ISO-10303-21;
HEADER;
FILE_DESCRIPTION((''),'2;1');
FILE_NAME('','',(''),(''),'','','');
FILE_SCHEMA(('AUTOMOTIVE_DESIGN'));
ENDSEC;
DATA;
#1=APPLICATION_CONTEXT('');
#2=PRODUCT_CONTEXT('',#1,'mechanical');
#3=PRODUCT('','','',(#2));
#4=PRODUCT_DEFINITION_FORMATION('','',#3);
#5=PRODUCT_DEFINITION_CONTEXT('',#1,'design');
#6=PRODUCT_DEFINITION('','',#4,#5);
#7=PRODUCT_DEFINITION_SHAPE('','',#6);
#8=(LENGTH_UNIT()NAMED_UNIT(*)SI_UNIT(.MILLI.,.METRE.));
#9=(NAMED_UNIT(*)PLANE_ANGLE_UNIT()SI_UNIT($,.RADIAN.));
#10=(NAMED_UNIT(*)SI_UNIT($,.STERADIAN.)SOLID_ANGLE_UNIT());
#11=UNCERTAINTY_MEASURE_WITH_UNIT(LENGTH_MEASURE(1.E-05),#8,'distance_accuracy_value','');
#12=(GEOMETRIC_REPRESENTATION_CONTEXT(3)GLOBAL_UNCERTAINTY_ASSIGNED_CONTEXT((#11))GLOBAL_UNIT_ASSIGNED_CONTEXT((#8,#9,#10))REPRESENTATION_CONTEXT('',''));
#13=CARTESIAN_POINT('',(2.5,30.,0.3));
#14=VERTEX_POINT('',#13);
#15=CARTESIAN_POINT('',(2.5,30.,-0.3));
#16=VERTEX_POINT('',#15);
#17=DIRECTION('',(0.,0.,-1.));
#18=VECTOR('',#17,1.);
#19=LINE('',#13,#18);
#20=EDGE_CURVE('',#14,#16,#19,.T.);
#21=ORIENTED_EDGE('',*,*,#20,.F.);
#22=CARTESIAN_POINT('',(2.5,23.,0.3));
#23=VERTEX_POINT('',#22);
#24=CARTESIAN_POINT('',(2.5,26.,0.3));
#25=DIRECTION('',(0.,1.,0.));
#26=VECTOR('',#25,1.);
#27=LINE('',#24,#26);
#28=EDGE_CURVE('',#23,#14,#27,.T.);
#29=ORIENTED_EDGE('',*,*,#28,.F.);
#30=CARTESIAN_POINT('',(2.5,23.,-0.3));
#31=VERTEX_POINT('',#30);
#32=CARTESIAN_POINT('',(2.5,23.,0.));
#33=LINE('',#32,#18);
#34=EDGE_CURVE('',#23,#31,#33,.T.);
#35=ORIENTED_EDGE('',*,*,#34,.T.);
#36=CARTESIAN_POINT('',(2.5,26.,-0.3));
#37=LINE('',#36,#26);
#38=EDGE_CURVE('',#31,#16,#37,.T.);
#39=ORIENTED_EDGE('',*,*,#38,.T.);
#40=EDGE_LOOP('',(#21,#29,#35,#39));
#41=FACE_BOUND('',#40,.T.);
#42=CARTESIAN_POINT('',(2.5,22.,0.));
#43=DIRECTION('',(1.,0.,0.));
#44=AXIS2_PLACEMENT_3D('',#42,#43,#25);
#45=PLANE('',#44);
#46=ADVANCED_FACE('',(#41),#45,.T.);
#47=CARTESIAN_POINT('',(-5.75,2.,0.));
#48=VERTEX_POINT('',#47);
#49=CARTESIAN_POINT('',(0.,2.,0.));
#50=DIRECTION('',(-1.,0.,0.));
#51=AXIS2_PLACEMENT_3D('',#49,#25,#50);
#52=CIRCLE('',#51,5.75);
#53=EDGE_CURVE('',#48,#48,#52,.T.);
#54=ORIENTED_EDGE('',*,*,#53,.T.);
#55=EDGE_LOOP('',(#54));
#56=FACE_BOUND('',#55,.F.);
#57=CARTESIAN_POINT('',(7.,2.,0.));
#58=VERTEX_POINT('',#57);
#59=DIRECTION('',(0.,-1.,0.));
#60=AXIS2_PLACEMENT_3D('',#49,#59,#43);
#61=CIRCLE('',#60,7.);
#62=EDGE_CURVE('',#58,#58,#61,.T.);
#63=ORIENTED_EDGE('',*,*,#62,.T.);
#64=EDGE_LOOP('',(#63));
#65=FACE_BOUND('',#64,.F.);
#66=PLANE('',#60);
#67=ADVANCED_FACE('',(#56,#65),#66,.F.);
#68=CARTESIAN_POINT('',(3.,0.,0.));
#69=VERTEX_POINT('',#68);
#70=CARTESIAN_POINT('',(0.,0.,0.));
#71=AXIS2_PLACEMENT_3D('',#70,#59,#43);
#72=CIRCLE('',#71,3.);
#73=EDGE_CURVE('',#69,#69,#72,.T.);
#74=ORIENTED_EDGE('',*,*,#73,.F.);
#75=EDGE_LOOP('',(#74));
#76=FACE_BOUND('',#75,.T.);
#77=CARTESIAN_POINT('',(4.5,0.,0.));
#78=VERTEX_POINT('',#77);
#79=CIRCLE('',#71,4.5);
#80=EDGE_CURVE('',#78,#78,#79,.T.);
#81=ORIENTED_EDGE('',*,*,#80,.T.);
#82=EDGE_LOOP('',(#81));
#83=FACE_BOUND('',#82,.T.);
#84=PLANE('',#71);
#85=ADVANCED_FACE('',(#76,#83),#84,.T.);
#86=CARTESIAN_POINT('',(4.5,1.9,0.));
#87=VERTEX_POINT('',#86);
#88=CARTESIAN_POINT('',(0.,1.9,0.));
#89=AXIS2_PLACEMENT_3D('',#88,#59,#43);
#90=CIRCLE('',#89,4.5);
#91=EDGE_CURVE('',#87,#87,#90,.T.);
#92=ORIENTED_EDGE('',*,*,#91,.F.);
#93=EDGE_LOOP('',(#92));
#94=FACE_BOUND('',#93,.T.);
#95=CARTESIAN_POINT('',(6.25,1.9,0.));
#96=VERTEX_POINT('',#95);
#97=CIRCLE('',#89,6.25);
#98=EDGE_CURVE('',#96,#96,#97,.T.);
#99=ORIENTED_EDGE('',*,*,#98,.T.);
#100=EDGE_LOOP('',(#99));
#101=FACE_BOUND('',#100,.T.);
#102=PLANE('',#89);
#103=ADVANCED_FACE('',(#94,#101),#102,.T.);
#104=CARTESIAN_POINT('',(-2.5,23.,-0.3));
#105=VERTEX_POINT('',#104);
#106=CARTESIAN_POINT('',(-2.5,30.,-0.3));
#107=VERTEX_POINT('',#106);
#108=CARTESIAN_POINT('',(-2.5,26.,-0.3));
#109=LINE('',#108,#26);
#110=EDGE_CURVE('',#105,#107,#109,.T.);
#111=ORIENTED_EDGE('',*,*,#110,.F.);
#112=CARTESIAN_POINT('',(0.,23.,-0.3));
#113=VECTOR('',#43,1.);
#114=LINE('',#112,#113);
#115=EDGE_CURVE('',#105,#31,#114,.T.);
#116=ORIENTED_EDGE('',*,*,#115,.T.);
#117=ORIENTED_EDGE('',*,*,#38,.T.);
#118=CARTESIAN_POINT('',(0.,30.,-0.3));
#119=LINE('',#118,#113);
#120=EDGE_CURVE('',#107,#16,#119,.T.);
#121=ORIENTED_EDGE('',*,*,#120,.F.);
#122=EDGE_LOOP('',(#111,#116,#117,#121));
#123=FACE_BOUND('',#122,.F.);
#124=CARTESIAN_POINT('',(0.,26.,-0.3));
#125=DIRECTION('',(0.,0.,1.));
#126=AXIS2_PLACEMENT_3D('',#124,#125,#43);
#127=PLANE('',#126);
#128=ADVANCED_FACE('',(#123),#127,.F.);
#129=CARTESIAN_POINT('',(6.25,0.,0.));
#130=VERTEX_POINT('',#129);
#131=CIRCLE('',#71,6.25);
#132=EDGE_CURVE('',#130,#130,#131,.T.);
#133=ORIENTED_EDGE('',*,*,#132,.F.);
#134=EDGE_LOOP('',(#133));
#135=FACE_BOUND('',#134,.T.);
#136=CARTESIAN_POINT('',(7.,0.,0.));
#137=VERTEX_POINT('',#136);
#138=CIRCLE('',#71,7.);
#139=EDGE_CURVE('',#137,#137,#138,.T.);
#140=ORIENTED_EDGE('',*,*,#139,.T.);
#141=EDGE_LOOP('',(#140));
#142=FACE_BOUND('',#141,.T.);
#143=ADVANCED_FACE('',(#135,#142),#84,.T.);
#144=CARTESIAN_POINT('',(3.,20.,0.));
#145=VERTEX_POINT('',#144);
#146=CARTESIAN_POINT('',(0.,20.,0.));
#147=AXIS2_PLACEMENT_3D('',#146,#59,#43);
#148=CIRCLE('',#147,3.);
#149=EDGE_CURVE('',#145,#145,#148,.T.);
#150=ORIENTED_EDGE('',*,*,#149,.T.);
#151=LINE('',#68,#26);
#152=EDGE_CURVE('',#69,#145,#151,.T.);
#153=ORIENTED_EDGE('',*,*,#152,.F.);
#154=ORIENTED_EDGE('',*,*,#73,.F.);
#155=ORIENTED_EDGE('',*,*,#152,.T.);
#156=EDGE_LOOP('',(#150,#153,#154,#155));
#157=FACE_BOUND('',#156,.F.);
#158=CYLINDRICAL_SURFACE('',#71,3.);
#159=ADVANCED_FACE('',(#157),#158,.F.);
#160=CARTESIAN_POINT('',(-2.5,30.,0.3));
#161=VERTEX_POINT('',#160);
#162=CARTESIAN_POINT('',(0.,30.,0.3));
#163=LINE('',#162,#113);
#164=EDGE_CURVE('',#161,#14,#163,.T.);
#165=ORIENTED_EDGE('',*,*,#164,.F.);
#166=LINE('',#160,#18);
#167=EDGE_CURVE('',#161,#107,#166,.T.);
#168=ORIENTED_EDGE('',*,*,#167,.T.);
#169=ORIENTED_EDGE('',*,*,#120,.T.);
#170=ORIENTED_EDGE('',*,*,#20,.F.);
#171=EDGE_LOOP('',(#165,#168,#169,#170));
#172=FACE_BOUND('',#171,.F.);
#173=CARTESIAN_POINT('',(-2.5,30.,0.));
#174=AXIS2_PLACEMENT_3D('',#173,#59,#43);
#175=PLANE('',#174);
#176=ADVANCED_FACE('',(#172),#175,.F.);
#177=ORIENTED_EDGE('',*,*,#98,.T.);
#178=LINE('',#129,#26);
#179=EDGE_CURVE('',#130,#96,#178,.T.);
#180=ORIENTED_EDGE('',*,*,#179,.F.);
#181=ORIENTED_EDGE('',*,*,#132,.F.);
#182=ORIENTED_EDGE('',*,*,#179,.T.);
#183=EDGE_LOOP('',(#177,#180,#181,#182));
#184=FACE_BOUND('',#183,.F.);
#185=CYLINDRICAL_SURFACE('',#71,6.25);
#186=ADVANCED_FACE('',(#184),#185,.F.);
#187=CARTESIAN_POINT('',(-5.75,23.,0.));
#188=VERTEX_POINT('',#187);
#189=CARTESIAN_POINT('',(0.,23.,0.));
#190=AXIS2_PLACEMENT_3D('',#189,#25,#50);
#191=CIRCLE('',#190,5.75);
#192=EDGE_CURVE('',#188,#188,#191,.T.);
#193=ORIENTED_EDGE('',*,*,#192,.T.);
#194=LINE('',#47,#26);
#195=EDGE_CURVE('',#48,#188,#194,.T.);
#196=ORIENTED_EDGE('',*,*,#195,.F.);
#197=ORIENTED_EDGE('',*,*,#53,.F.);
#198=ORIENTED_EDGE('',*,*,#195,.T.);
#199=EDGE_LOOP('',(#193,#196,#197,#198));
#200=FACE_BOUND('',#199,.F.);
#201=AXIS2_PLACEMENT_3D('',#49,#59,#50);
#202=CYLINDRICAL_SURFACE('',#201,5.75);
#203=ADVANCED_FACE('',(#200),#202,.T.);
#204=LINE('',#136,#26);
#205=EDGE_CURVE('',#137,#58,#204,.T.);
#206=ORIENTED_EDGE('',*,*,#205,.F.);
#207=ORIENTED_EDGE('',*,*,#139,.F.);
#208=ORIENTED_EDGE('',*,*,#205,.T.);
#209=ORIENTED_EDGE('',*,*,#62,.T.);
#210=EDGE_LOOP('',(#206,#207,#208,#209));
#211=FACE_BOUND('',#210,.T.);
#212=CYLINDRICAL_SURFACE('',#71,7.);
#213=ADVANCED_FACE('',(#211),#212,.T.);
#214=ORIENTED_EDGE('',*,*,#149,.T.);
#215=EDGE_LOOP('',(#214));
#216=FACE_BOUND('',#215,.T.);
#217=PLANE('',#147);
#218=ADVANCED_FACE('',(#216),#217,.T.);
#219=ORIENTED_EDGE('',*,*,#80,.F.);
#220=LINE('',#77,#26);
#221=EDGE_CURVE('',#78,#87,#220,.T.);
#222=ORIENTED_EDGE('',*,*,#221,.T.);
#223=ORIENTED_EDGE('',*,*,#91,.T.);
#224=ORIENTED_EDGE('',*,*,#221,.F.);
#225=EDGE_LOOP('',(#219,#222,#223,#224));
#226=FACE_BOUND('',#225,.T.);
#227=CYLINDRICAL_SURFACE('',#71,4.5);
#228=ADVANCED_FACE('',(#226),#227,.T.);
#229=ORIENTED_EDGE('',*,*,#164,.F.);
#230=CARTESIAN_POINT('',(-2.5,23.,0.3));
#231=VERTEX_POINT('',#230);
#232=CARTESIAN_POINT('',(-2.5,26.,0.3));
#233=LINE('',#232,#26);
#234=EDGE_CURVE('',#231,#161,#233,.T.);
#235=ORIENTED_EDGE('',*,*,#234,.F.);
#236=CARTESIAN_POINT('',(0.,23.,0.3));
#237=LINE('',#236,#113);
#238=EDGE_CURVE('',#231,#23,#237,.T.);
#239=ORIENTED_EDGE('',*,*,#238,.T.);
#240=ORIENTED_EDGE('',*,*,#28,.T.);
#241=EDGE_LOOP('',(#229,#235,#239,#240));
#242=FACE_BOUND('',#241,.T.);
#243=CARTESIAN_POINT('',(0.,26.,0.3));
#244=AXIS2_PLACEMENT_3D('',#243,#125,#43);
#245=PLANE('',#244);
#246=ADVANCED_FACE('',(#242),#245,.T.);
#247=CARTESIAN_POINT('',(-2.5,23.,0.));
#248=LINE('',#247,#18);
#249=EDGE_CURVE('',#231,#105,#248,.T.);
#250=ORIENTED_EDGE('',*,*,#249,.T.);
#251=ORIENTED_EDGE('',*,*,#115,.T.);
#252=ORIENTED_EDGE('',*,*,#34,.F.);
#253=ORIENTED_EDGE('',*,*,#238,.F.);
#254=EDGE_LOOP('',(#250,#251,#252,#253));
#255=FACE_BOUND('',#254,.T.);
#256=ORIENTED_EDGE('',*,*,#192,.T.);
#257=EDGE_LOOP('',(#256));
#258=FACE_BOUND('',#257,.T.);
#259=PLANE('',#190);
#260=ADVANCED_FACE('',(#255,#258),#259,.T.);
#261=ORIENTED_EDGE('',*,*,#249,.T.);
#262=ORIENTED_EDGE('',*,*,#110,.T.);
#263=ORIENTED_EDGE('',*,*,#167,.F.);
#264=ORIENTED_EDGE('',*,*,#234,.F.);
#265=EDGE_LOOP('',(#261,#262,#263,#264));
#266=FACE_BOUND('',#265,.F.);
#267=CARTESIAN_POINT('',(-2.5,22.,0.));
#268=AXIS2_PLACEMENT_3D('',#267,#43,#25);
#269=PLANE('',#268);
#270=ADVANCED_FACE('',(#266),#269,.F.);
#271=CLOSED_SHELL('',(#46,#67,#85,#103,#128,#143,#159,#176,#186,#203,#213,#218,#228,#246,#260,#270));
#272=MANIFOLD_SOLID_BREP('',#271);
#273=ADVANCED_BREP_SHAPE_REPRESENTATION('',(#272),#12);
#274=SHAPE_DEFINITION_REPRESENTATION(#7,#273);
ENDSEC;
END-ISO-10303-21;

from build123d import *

# Parameters (mm, degrees)
F0_R     = 7
F1_DEPTH = 2
F2_R     = 5.75
F3_DEPTH = 21
F4_R     = 3
F5_DEPTH = 20
F6_R     = 6.25
F6_R_2   = 4.5
F7_DEPTH = 1.9
F8_W     = 5
F8_H     = 8
F9_DEPTH = 0.3


with BuildPart() as f1:
    # F0 (on Front) → F1 (new body)
    with BuildSketch(Plane.XZ):
        Circle(F0_R)
    extrude(amount=-F1_DEPTH)

    # F2 (on face) → F3 (join)
    with BuildSketch(Plane(origin=(0, 2, 0), x_dir=(-1, 0, 0), z_dir=(0, 1, 0))):
        Circle(F2_R)
    extrude(amount=F3_DEPTH)

    # F4 (on face) → F5 (cut)
    with BuildSketch(Plane.XZ):
        Circle(F4_R)
    extrude(amount=-F5_DEPTH, mode=Mode.SUBTRACT)

    # F6 (on face) → F7 (cut)
    with BuildSketch(Plane.XZ):
        Circle(F6_R)
        Circle(F6_R_2, mode=Mode.SUBTRACT)
    extrude(amount=-F7_DEPTH, mode=Mode.SUBTRACT)

    # F8 (on Top) → F9 (join, symmetric)
    with BuildSketch(Plane.XY):
        with Locations((0, 26)):
            Rectangle(F8_W, F8_H)
    extrude(amount=F9_DEPTH, both=True)


solid = f1.part
